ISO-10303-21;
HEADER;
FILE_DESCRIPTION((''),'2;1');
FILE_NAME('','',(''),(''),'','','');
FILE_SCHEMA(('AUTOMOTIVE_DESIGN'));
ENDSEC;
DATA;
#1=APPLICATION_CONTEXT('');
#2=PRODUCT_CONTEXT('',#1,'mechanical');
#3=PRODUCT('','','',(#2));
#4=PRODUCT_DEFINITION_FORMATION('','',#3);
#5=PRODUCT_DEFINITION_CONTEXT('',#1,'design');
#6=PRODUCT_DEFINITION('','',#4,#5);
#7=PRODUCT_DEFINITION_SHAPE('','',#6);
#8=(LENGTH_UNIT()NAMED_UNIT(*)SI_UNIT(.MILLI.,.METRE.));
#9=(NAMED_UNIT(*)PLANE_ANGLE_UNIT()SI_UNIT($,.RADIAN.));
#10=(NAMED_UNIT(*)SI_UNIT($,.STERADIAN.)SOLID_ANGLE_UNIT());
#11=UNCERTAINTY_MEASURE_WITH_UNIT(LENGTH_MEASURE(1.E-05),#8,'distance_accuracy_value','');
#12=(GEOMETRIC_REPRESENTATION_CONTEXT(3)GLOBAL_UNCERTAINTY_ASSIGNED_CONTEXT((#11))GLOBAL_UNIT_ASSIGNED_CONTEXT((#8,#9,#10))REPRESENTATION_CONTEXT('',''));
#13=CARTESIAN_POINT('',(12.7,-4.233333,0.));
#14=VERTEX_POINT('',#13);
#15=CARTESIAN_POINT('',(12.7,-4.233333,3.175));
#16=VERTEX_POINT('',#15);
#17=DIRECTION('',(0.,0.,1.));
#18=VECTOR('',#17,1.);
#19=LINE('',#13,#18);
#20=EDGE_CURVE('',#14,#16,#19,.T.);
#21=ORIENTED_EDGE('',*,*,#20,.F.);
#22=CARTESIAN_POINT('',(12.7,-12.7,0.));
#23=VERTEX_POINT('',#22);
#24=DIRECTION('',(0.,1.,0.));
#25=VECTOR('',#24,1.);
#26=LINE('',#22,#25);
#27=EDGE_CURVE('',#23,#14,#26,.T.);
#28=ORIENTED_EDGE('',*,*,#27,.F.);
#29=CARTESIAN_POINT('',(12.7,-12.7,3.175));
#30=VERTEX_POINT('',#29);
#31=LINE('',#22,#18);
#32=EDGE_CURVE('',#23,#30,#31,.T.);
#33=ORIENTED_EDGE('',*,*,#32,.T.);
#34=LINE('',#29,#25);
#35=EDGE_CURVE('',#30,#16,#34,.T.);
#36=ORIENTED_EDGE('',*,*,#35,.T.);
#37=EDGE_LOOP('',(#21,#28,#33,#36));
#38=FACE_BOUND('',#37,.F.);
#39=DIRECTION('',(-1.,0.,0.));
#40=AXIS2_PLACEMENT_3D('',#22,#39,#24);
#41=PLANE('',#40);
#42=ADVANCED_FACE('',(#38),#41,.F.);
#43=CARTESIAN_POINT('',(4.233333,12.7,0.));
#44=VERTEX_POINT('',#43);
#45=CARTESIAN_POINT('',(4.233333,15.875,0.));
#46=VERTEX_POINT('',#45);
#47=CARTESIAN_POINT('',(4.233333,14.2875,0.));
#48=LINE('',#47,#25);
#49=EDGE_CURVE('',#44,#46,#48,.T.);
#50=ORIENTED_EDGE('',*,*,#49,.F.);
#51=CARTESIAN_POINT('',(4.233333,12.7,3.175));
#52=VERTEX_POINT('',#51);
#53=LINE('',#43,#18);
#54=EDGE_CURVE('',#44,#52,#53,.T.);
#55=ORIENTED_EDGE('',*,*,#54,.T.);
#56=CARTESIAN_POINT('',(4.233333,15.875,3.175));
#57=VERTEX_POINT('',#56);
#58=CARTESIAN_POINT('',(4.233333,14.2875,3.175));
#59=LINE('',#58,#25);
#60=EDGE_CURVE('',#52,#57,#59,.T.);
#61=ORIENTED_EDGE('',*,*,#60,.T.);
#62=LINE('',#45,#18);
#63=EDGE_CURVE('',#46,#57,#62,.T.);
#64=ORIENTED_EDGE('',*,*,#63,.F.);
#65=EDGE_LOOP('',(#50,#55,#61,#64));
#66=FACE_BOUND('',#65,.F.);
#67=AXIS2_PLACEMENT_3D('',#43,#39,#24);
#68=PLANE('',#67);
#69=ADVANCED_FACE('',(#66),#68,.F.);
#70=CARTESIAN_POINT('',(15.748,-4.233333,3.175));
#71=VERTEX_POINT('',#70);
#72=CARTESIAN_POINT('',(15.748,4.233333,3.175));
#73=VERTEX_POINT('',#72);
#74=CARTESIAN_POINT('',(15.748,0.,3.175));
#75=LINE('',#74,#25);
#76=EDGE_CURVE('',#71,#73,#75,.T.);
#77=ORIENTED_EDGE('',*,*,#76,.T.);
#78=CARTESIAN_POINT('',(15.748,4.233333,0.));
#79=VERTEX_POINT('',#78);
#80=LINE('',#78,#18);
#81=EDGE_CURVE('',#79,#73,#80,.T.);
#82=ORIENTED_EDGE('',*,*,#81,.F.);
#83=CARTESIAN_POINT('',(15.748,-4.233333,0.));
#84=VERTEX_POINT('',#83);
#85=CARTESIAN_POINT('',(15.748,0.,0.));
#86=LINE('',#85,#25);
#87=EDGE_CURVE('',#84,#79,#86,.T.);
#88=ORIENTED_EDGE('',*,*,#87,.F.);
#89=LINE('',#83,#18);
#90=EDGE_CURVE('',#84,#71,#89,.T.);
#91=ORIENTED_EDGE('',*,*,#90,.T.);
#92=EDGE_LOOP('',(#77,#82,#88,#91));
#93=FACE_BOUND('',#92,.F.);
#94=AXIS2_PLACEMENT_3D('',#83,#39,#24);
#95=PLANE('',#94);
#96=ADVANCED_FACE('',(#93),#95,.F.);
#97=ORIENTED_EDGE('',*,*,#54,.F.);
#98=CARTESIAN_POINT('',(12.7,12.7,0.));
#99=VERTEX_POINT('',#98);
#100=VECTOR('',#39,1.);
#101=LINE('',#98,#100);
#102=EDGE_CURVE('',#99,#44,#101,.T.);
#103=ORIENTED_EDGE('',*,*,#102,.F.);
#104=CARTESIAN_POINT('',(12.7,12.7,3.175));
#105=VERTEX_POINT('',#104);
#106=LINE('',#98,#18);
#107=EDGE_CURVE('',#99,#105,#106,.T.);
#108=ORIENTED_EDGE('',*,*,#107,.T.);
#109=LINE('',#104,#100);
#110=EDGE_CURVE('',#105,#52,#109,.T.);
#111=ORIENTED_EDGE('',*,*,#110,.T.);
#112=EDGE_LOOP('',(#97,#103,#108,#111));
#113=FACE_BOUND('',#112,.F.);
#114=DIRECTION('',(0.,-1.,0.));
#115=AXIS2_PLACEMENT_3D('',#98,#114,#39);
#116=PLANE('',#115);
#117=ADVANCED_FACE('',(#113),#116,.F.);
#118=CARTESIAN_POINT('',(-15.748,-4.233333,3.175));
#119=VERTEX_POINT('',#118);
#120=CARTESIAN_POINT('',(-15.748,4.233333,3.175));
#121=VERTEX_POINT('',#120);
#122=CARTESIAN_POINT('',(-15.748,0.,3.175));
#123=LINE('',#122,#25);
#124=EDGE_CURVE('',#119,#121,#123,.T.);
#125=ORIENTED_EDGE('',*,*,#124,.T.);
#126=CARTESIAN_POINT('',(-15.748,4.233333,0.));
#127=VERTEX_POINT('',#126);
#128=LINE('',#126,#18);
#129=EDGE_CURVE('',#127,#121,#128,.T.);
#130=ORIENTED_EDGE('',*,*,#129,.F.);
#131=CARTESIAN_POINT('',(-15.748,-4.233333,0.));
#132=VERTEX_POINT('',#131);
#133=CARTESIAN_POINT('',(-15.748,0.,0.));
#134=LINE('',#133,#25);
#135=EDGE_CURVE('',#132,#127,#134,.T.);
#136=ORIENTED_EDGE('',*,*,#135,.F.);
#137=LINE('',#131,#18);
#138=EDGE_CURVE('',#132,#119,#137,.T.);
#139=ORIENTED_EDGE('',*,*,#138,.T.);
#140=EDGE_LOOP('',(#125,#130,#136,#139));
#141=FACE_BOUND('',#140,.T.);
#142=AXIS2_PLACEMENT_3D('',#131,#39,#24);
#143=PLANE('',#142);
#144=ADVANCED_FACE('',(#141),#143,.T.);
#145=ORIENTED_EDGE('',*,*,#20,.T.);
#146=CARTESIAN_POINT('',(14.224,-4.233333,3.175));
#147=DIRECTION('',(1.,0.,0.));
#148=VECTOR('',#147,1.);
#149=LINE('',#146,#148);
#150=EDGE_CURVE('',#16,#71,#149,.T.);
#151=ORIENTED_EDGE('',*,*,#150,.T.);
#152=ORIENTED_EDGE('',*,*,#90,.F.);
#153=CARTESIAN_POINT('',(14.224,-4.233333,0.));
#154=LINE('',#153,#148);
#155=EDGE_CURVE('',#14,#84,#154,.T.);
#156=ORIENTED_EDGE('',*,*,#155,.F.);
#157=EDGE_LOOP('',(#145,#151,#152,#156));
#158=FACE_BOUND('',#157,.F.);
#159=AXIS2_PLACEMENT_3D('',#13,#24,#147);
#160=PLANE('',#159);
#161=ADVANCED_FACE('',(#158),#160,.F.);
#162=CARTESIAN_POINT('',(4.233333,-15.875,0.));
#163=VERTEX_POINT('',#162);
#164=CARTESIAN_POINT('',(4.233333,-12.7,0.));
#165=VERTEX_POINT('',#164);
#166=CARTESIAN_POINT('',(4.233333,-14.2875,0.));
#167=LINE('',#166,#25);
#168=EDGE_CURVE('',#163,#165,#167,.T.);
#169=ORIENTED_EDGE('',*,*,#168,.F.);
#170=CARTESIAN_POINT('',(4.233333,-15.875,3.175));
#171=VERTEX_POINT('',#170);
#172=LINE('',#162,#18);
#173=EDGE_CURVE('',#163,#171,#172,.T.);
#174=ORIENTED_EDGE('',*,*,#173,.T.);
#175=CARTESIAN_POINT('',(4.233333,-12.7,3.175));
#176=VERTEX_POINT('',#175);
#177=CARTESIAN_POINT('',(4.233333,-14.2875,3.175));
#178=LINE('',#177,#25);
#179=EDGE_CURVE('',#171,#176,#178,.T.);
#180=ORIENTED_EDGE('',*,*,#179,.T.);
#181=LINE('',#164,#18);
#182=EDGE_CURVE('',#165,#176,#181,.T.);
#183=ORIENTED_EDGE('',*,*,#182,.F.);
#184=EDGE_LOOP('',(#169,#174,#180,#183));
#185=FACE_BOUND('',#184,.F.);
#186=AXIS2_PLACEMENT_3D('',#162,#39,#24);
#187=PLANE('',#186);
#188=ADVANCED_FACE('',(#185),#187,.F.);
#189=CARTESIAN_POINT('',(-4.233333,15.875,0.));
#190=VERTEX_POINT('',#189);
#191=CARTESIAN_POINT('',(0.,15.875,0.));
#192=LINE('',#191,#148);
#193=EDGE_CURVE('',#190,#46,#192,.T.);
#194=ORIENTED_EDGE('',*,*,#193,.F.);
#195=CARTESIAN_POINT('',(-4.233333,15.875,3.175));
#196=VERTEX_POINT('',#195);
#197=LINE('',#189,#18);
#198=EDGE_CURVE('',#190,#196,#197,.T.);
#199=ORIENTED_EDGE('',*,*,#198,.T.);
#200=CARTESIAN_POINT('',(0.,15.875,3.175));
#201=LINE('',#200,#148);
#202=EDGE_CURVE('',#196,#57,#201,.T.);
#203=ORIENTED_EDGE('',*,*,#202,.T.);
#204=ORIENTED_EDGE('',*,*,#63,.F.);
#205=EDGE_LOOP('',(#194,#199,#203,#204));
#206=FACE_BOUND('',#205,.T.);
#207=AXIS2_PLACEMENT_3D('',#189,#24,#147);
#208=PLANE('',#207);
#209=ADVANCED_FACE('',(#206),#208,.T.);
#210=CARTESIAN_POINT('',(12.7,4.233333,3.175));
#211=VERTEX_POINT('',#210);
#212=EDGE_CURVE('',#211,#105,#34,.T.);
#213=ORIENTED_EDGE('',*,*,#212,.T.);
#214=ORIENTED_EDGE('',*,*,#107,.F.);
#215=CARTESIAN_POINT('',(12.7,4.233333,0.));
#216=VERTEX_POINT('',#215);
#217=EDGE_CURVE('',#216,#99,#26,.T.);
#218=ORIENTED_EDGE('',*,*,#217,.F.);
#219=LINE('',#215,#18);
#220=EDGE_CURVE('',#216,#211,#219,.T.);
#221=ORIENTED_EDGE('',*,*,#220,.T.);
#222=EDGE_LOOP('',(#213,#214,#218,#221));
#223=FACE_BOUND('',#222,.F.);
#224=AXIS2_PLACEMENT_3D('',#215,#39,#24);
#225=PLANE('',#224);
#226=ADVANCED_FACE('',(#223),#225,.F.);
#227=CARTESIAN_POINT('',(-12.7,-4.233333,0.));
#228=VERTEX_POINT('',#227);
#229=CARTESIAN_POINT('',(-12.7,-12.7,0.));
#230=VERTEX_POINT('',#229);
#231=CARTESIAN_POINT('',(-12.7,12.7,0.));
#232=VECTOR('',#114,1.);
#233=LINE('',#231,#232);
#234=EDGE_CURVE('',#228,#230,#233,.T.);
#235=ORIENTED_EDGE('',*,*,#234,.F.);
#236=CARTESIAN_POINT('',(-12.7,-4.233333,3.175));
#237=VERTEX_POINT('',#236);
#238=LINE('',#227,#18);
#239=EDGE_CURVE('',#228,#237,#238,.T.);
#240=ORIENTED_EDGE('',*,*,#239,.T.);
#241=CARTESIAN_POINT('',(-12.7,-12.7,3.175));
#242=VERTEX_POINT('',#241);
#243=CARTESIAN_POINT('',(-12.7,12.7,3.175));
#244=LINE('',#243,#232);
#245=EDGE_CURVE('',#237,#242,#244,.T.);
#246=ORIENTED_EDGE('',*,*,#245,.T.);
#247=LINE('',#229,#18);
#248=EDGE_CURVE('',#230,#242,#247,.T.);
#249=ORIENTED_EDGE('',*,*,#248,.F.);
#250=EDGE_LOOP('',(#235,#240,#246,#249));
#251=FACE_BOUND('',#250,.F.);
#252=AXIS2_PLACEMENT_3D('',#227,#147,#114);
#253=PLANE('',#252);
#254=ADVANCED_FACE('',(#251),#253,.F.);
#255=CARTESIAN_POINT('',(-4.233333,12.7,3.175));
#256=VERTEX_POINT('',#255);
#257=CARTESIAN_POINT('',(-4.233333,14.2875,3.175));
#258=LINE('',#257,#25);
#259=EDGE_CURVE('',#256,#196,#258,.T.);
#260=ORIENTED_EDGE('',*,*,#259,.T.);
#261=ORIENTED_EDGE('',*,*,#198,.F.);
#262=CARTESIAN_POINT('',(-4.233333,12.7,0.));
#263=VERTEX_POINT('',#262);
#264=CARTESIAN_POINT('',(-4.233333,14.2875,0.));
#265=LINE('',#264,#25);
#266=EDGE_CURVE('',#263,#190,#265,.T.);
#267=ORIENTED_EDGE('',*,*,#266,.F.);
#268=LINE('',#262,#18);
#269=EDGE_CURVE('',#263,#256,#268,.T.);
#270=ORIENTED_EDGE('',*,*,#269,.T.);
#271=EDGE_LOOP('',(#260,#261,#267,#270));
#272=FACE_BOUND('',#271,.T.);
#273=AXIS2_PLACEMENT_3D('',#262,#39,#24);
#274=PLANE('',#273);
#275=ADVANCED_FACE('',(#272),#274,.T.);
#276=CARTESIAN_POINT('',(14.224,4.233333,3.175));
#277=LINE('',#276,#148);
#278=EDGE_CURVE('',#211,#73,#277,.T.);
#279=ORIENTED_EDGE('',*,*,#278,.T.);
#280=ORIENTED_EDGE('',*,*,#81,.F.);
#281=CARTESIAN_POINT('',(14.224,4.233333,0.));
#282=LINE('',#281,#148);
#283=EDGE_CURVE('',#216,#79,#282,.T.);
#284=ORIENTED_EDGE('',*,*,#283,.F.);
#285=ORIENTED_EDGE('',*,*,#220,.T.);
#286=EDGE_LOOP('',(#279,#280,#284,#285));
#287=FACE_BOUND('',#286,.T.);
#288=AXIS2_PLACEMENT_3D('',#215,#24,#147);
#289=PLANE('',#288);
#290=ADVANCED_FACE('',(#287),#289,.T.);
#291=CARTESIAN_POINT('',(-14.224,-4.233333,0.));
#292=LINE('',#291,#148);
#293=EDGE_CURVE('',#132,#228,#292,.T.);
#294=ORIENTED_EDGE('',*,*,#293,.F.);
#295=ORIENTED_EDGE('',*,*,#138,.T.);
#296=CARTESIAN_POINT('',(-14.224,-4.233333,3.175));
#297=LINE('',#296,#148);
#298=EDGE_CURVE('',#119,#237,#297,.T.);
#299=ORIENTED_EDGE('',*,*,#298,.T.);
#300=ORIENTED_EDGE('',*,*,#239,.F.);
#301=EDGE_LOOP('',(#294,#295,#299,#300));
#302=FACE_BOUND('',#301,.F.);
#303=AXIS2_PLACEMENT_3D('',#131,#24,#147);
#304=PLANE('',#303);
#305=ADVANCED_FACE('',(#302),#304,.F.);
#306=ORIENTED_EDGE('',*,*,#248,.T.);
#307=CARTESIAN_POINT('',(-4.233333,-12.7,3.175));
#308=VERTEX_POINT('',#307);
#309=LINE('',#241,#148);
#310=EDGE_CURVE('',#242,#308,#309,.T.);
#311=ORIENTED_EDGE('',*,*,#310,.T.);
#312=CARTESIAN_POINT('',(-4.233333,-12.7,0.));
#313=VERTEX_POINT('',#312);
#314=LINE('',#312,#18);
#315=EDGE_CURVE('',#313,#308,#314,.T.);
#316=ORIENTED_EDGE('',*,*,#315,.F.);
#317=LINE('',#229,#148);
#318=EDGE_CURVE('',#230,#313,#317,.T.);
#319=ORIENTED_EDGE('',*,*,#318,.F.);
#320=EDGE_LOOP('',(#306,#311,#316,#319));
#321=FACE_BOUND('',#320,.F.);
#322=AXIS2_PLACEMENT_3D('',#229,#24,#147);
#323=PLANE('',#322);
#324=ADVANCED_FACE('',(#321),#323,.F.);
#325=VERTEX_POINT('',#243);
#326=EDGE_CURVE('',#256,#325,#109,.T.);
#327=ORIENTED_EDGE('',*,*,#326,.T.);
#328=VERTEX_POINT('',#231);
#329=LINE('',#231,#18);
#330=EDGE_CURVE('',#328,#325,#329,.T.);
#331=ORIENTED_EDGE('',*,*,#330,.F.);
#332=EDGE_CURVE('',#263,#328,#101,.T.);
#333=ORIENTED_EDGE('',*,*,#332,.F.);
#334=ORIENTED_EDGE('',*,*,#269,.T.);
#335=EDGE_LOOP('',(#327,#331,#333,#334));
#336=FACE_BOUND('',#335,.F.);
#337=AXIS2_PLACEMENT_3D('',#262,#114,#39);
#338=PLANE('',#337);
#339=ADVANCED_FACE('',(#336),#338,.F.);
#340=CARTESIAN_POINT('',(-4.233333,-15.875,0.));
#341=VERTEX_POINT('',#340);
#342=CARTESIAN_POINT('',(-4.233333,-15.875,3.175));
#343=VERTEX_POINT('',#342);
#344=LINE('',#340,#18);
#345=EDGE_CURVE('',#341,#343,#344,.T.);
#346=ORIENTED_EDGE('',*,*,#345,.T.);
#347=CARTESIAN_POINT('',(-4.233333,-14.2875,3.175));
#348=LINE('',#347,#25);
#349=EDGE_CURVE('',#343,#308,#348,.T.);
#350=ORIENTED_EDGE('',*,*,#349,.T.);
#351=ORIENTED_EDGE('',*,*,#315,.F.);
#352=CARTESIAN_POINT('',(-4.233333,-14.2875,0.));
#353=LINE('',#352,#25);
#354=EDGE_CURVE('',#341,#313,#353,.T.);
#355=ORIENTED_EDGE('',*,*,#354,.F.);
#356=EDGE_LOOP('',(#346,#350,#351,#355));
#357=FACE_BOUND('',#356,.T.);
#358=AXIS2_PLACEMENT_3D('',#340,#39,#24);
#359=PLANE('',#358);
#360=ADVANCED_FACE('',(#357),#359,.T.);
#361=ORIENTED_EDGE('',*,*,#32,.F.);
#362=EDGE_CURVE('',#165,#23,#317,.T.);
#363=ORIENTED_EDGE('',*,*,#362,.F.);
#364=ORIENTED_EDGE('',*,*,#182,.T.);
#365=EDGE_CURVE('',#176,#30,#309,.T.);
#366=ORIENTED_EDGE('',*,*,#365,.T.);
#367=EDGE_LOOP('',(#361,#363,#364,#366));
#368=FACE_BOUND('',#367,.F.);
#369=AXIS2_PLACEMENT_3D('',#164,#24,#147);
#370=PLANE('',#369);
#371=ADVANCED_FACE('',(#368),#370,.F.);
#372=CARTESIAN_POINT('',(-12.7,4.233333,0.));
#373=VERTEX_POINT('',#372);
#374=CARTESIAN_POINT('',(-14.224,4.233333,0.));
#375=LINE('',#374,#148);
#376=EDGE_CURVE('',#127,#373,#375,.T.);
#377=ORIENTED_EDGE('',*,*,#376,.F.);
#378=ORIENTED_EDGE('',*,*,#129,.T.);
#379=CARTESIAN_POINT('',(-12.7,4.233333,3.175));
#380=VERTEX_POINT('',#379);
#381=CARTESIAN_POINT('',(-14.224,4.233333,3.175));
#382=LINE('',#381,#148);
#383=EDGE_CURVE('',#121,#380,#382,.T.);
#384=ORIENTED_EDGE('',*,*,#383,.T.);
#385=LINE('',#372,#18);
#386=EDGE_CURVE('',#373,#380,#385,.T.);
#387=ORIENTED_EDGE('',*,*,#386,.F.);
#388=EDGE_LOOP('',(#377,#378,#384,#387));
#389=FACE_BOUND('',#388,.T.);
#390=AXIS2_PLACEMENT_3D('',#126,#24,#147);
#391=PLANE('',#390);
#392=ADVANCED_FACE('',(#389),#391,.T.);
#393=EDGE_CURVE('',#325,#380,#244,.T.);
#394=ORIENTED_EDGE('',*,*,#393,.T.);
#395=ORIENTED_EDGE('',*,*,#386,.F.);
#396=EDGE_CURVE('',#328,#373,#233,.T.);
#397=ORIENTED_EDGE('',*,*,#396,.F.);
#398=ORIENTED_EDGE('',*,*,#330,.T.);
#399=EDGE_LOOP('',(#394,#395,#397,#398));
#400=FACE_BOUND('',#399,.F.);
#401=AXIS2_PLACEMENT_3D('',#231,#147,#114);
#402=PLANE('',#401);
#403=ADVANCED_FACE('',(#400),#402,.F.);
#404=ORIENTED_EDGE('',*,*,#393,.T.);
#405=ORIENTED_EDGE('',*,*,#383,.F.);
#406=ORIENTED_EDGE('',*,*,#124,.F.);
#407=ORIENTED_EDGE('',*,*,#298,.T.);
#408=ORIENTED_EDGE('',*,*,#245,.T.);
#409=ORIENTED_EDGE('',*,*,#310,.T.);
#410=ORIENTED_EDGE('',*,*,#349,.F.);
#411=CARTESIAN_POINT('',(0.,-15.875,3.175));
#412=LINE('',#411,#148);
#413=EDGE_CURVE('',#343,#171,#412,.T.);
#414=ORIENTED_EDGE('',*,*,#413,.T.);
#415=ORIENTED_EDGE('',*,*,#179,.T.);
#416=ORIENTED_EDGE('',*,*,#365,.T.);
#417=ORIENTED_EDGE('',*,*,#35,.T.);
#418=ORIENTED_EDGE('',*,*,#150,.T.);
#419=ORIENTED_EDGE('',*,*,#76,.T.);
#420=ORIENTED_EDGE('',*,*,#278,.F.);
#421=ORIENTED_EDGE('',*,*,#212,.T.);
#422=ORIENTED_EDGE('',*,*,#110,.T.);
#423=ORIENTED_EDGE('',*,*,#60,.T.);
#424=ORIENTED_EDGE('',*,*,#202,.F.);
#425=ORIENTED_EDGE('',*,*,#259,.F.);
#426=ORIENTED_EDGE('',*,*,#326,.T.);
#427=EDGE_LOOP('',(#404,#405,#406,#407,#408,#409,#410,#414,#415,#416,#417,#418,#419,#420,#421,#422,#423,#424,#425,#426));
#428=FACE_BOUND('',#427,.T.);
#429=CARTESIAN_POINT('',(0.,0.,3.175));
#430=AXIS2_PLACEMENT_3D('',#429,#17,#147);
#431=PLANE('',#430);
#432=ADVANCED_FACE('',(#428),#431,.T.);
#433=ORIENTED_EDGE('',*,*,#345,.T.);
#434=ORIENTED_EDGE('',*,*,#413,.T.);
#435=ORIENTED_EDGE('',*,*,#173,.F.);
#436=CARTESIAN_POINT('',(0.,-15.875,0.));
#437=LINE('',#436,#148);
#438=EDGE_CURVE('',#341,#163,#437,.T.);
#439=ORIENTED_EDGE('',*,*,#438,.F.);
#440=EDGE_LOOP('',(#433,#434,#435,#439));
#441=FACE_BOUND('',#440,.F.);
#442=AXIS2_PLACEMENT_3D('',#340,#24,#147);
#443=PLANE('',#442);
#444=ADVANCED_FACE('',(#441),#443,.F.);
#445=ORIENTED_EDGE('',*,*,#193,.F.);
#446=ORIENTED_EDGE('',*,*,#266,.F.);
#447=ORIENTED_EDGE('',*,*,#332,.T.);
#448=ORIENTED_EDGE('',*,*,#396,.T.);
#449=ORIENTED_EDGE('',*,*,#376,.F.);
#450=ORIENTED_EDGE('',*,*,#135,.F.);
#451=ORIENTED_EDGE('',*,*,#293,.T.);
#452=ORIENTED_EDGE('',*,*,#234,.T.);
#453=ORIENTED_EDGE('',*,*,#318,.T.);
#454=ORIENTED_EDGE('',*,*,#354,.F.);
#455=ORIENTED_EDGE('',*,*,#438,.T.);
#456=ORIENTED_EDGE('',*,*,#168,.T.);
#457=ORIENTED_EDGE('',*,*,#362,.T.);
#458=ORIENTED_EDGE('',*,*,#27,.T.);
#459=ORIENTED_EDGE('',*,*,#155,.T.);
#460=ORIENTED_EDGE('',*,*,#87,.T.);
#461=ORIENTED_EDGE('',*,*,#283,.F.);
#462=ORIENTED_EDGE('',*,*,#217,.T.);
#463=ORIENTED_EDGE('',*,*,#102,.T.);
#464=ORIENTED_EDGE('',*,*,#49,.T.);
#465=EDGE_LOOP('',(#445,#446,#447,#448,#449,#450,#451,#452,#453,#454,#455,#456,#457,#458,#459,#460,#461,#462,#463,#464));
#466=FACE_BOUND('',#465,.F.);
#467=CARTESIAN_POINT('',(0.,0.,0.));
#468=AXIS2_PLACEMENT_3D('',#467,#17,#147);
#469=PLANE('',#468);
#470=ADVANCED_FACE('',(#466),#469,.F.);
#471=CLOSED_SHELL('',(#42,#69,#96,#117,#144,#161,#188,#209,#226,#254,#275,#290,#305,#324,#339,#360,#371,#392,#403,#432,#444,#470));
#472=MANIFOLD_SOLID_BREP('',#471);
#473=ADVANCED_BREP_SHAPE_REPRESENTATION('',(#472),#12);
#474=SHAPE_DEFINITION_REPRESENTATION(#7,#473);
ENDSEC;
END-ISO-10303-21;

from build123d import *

# Parameters (mm, degrees)
F0_W     = 3.048
F0_H     = 8.466666
F0_W_2   = 8.466666
F0_H_2   = 3.175
F1_DEPTH = 3.175


with BuildPart() as f1:
    # F0 (on Top) → F1 (new body)
    with BuildSketch(Plane.XY):
        Polygon((4.233333, -12.7), (12.7, -12.7), (12.7, -4.233333), (12.7, 4.233333), (12.7, 12.7), (4.233333, 12.7), (-4.233333, 12.7), (-12.7, 12.7), (-12.7, 4.233333), (-12.7, -4.233333), (-12.7, -12.7), (-4.233333, -12.7), align=None)
        with Locations((-14.224, 0)):
            Rectangle(F0_W, F0_H)
        with Locations((0, 14.2875)):
            Rectangle(F0_W_2, F0_H_2)
        with Locations((14.224, 0)):
            Rectangle(F0_W, F0_H)
        with Locations((0, -14.2875)):
            Rectangle(F0_W_2, F0_H_2)
    extrude(amount=F1_DEPTH)


solid = f1.part
